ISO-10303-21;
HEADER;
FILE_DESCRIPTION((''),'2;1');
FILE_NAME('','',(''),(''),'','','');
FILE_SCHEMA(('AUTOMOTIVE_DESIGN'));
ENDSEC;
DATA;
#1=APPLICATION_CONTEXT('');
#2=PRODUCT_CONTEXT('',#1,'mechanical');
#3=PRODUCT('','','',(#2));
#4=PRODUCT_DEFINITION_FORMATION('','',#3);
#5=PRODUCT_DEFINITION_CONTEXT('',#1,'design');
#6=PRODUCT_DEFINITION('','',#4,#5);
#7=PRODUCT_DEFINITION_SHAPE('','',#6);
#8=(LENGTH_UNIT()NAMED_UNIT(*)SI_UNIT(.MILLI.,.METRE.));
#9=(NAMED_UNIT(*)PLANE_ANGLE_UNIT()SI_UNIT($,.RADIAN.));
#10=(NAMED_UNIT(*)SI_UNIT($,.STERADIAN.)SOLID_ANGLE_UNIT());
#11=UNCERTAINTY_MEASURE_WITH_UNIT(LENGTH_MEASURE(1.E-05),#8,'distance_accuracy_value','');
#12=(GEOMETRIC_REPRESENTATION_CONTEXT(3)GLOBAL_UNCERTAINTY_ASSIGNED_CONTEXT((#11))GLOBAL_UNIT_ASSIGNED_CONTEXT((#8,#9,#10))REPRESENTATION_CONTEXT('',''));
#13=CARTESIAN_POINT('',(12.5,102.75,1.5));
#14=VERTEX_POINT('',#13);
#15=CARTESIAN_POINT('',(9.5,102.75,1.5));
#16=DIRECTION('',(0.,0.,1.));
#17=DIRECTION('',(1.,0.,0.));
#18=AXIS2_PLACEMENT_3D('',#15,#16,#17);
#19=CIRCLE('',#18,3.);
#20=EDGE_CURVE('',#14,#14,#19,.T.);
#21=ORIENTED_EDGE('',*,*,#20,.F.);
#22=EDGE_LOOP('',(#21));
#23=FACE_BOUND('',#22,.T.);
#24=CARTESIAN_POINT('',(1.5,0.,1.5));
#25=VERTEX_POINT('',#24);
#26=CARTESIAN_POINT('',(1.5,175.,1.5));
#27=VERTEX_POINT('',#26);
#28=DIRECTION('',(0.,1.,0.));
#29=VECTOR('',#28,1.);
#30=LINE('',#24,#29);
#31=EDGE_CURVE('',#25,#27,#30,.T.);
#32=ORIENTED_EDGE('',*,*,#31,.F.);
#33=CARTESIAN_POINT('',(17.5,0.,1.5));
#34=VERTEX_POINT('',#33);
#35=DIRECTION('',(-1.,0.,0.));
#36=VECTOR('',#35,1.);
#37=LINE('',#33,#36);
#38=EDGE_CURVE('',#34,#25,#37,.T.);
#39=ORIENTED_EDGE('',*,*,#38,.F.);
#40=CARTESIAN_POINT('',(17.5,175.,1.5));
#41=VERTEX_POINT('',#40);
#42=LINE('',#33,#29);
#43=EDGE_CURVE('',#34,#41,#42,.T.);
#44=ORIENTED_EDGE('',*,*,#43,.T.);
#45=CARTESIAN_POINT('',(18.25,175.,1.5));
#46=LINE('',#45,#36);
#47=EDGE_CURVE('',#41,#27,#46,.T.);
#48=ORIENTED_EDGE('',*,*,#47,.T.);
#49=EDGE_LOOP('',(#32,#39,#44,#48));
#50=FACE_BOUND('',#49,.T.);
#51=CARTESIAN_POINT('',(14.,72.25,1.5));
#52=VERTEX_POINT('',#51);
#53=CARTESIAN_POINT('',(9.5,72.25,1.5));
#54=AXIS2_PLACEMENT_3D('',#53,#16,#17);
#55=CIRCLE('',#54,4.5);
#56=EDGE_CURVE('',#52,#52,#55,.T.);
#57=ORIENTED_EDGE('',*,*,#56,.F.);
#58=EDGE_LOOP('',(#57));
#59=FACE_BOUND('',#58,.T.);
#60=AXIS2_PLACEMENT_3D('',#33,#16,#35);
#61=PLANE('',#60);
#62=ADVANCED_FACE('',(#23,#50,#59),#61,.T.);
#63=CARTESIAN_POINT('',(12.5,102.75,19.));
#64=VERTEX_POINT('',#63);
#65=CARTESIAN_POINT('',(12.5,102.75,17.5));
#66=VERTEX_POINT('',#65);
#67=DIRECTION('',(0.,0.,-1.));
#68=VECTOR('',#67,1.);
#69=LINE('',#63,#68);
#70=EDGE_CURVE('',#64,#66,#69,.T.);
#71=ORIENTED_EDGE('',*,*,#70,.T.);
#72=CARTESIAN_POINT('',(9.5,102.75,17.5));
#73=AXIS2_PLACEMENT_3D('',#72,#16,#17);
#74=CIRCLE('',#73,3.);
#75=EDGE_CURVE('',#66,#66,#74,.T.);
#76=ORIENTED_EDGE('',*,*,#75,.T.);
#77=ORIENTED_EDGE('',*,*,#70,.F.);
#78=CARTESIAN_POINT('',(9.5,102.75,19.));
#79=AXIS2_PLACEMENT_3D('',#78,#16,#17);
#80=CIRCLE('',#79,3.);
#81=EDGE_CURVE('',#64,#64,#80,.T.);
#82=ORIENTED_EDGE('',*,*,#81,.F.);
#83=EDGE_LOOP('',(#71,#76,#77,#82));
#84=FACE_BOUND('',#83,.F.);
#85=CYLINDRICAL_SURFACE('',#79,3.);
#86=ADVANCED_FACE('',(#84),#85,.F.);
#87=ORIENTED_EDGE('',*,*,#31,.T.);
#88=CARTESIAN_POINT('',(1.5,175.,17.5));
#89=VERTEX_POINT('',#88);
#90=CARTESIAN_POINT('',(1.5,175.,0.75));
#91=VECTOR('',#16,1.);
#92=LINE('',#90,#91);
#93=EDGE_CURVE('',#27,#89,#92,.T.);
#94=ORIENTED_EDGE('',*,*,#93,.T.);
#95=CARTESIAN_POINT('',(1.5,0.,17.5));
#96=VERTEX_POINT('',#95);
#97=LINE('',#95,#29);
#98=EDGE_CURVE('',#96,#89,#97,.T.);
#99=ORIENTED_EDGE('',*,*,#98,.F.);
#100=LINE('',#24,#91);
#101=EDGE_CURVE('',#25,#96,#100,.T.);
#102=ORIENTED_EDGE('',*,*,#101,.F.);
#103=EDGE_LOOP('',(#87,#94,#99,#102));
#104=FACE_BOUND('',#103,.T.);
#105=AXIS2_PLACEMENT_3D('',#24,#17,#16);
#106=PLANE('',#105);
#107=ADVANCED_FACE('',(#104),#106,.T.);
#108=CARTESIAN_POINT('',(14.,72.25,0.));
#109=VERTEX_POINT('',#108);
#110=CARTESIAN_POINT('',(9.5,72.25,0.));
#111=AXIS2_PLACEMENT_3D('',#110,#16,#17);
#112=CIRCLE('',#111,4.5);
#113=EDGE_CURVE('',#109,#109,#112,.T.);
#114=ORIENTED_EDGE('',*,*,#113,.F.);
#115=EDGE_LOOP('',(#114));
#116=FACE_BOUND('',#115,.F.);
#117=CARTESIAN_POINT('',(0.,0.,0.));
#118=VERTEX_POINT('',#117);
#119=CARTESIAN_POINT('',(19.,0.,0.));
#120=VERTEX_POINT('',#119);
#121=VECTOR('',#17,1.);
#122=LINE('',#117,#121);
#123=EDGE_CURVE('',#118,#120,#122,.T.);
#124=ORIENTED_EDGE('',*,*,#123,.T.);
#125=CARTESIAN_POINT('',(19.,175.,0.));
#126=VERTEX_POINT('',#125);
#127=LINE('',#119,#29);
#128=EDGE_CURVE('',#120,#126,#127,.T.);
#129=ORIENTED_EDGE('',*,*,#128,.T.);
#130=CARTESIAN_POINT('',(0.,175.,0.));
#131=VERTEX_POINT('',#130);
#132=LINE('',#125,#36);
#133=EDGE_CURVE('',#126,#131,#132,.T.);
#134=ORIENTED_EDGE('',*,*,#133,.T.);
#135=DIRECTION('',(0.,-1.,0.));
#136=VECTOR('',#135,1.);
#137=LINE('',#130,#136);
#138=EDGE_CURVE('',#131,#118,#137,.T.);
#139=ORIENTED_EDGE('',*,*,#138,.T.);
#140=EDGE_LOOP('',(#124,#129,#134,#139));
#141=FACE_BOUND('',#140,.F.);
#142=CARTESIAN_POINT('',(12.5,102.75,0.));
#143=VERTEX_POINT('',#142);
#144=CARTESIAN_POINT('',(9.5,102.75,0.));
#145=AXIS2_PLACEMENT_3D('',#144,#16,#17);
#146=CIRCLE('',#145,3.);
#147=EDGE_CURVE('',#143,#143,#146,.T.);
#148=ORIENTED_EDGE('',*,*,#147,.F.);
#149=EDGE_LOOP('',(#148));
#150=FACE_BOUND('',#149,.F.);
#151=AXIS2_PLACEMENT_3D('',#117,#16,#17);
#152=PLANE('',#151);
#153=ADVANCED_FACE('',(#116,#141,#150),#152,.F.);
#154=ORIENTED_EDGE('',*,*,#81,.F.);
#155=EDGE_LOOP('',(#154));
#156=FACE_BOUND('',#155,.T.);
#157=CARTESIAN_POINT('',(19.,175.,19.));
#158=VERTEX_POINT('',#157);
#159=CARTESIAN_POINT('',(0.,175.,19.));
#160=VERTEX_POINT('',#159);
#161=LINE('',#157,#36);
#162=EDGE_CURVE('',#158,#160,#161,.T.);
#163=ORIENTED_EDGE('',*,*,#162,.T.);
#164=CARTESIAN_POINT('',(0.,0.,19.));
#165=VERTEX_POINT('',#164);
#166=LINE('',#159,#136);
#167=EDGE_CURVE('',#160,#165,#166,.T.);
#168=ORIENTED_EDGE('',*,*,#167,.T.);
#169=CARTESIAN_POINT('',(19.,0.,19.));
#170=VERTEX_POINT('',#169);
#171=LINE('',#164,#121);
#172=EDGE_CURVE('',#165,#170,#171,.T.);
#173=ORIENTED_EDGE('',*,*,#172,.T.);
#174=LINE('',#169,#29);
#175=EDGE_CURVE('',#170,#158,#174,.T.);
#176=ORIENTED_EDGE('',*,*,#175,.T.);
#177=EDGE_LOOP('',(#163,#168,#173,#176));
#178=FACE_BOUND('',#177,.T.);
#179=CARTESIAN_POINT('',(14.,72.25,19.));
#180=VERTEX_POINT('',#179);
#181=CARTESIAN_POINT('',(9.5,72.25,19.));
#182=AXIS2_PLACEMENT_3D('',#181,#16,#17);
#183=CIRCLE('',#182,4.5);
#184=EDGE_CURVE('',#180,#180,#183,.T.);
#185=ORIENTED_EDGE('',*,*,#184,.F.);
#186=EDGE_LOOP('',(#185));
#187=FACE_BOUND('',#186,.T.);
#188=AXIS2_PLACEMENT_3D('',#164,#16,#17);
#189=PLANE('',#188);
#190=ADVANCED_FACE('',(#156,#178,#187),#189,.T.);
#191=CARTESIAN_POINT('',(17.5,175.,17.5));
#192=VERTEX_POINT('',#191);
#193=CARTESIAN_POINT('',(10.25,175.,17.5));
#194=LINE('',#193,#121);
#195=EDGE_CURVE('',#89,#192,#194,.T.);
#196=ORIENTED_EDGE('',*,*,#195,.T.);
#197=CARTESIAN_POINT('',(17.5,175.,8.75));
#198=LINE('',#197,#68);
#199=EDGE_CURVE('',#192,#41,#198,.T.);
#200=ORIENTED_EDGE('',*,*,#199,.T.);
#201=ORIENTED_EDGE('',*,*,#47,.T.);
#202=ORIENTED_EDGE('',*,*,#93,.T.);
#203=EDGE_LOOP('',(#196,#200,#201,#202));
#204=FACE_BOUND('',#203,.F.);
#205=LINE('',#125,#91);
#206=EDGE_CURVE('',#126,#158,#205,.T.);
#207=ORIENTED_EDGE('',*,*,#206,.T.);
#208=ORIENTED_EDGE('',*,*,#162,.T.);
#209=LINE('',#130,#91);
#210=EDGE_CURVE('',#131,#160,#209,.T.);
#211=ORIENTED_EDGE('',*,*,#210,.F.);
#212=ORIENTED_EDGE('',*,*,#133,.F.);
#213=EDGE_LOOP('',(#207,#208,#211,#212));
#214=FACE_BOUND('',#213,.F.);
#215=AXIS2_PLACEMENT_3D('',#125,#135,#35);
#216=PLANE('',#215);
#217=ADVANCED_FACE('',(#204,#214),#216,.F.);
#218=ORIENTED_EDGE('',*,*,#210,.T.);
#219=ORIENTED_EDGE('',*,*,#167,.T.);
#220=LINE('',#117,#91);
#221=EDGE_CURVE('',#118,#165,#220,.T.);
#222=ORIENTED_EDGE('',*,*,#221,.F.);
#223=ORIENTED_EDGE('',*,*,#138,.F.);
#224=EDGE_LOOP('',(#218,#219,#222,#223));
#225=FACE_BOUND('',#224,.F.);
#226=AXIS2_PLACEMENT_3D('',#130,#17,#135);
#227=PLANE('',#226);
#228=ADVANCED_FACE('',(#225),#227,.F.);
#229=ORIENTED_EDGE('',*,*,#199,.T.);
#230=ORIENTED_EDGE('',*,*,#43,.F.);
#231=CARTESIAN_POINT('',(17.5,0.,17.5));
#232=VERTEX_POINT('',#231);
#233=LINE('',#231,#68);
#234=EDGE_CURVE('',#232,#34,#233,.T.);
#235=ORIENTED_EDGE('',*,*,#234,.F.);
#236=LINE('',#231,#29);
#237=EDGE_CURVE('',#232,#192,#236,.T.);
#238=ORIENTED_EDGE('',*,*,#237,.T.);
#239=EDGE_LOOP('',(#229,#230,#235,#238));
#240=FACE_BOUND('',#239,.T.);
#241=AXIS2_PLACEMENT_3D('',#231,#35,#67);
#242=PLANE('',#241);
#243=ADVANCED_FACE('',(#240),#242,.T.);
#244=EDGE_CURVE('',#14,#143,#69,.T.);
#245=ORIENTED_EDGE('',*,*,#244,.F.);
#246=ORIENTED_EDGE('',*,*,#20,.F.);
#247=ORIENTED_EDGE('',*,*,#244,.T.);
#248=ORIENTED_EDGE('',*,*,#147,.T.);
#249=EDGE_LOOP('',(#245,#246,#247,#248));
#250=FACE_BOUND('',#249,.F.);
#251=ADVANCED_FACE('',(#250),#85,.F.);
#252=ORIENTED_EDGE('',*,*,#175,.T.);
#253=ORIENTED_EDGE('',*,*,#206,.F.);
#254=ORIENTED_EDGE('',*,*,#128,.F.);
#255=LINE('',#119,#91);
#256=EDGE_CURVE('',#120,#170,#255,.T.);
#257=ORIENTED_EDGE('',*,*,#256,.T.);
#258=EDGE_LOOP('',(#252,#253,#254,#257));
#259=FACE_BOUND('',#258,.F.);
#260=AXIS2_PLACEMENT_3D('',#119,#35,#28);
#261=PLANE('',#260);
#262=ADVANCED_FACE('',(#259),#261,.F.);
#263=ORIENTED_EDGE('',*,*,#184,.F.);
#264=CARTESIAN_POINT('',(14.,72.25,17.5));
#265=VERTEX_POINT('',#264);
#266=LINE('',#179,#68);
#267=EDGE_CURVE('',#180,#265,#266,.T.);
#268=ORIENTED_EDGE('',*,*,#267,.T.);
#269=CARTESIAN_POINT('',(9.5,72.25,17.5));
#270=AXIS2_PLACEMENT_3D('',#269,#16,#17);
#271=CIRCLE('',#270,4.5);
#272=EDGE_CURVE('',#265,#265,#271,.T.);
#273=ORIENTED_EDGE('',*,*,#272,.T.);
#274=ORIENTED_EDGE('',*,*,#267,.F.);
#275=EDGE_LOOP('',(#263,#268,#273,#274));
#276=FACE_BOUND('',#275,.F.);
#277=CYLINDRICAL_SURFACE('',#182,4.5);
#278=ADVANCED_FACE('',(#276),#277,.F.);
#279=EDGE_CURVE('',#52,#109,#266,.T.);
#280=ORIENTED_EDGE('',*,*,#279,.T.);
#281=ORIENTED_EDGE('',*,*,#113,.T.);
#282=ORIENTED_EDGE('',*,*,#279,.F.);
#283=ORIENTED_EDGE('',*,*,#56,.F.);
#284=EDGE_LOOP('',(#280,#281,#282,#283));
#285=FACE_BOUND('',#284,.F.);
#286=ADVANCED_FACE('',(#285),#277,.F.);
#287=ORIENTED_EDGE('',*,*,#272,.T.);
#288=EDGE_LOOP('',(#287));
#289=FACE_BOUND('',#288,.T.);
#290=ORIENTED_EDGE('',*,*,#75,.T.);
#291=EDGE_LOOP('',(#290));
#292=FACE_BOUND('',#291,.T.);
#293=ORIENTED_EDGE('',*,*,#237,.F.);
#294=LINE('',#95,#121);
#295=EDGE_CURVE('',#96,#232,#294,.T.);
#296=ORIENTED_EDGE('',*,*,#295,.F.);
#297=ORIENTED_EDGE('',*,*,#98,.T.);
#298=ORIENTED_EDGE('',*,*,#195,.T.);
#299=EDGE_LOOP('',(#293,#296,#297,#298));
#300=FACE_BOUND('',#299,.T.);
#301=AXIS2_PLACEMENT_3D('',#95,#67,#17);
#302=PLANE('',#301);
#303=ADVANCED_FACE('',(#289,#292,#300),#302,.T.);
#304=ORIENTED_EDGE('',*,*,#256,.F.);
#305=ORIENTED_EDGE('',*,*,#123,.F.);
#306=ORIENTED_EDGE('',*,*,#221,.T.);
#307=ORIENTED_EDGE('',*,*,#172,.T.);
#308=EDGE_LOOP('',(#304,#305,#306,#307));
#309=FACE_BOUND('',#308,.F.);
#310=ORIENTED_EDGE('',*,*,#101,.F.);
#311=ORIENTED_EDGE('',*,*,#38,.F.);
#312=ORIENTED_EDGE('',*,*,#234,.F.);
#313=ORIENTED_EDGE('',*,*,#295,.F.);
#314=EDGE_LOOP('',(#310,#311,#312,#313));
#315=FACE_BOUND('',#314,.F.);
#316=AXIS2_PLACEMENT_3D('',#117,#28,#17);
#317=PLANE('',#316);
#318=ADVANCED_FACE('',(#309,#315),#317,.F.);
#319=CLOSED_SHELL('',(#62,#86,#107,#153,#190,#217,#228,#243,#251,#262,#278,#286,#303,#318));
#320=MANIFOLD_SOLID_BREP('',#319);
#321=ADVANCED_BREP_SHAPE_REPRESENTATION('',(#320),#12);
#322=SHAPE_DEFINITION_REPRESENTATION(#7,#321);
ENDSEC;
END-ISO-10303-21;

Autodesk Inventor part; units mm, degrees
ref_plane "YZ Plane" through (0, 0, 0) normal (1, 0, 0) x (0, 1, 0)
ref_plane "XZ Plane" through (0, 0, 0) normal (0, 1, 0) x (-1, 0, 0)
ref_plane "XY Plane" through (0, 0, 0) normal (0, 0, 1) x (1, 0, 0)
sketch "Sketch1" plane through (0, 0, 0) normal (0, 0, 1) x (1, 0, 0)
  line L0 (0, 0) -> (19, 0)
  line L1 (19, 0) -> (19, 175)
  line L2 (19, 175) -> (0, 175)
  line L3 (0, 175) -> (0, 0)
  dimension "d0" = 19
  dimension "d1" = 175
extrude "Extrusion1" add sketch "Sketch1" along normal blind 19
sketch "Sketch2" plane through (0, 0, 0) normal (0, -1, 0) x (1, 0, 0)
  line L0 (0, 0) -> (19, 0) projected
  line L1 (19, 0) -> (19, 19) projected
  line L2 (0, 19) -> (19, 19) projected
  line L3 (0, 0) -> (0, 19) projected
  line L4 (17.5, 17.5) -> (17.5, 1.5)
  line L5 (17.5, 1.5) -> (1.5, 1.5)
  line L6 (1.5, 1.5) -> (1.5, 17.5)
  line L7 (1.5, 17.5) -> (17.5, 17.5)
  dimension "d4" = 1.5
extrude "Extrusion2" cut sketch "Sketch2" against normal through all contours L4 L5 L6 L7
sketch "Sketch3" plane through (0, 0, 19) normal (0, 0, 1) x (1, 0, 0)
  line L0 (9.5, 72.25) -> (9.5, 102.75) construction
  circle A0 centre (9.5, 102.75) radius 3
  circle A1 centre (9.5, 72.25) radius 4.5
  line L1 (19, 0) -> (19, 175) projected
  line L2 (19, 175) -> (0, 175) projected
  point P0 (0, 0)
  point P1 (19, 87.5)
  point P2 (9.5, 87.5)
  point P3 (9.5, 175)
  dimension "d7" = 30.5
  dimension "d8" = 6
  dimension "d9" = 9
extrude "Extrusion3" cut sketch "Sketch3" against normal through all
properties part number "C010" material "Aluminum 6061"
